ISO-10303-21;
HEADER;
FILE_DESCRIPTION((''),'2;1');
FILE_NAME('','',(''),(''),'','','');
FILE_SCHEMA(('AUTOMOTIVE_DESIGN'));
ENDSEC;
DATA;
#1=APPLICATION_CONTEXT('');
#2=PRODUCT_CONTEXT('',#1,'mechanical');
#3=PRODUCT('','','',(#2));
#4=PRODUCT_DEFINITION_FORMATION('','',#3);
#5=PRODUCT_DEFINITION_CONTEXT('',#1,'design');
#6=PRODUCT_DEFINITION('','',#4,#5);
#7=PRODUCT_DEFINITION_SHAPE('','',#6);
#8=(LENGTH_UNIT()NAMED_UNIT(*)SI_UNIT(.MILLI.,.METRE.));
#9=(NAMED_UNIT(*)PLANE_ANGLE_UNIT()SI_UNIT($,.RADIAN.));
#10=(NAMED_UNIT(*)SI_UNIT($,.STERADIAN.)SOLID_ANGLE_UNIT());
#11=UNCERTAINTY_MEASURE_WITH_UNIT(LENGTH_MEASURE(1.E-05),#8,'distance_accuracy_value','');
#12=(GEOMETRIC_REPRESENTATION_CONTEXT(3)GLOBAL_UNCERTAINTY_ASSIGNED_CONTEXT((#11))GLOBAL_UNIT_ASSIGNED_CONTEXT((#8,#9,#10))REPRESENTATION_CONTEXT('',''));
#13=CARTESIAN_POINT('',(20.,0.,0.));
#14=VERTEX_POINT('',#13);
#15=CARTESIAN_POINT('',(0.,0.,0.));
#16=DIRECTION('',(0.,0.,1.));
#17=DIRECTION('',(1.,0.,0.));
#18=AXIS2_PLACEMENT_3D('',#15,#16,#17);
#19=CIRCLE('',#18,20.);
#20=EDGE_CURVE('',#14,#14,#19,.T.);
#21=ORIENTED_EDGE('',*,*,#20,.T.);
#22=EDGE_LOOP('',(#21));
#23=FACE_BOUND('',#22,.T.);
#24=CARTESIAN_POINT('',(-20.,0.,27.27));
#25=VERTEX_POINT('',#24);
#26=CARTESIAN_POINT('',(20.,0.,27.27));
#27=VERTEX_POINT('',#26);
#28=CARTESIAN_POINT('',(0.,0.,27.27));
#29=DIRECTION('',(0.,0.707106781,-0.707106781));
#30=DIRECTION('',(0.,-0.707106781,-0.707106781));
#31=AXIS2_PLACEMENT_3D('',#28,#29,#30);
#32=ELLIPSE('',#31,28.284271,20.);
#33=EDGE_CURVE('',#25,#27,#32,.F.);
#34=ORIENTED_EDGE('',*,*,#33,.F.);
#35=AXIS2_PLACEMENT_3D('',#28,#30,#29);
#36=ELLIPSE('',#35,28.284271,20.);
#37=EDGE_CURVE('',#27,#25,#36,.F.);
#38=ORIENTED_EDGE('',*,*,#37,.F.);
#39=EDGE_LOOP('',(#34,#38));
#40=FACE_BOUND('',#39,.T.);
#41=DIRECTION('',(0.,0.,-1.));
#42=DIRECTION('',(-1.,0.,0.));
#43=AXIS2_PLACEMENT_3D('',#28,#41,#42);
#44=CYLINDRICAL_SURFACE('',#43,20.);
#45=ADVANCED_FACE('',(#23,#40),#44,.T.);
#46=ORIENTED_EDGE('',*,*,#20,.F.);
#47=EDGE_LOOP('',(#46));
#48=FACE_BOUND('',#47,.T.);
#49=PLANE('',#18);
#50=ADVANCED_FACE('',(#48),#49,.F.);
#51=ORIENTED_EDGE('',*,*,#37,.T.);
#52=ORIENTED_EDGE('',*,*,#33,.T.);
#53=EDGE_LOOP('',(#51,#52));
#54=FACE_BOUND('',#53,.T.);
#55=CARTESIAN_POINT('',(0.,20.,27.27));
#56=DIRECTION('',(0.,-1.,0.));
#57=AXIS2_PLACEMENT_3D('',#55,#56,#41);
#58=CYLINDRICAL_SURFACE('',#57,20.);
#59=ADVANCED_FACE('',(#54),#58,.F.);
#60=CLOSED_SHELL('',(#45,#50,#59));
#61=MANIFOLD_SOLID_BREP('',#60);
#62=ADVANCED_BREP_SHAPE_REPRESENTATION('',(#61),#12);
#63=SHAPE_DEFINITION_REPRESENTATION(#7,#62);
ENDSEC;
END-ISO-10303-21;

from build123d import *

# Parameters (mm, degrees)
SKETCH_1_R               = 20
EXTRUDE_1_DEPTH          = 27.27
CUT_EXTRUDE_1_DEPTH      = 20
CUT_EXTRUDE_1_DEPTH_BACK = 20
SKETCH_2_R               = 20


with BuildPart() as part:
    # 草图1 → 凸台-拉伸1 (new body)
    with BuildSketch(Plane.XY):
        Circle(SKETCH_1_R)
    extrude(amount=EXTRUDE_1_DEPTH)

    # 草图2 → 切除-拉伸1 (cut, two sides: drawn at the far end of the back side and taken through both)
    with BuildSketch(Plane(origin=(0, 0, 0), x_dir=(1, 0, 0), z_dir=(0, 1, 0)).offset(-CUT_EXTRUDE_1_DEPTH_BACK)):
        with Locations((0, -27.27)):
            Circle(SKETCH_2_R)
    extrude(amount=CUT_EXTRUDE_1_DEPTH + CUT_EXTRUDE_1_DEPTH_BACK, mode=Mode.SUBTRACT)


solid = part.part
